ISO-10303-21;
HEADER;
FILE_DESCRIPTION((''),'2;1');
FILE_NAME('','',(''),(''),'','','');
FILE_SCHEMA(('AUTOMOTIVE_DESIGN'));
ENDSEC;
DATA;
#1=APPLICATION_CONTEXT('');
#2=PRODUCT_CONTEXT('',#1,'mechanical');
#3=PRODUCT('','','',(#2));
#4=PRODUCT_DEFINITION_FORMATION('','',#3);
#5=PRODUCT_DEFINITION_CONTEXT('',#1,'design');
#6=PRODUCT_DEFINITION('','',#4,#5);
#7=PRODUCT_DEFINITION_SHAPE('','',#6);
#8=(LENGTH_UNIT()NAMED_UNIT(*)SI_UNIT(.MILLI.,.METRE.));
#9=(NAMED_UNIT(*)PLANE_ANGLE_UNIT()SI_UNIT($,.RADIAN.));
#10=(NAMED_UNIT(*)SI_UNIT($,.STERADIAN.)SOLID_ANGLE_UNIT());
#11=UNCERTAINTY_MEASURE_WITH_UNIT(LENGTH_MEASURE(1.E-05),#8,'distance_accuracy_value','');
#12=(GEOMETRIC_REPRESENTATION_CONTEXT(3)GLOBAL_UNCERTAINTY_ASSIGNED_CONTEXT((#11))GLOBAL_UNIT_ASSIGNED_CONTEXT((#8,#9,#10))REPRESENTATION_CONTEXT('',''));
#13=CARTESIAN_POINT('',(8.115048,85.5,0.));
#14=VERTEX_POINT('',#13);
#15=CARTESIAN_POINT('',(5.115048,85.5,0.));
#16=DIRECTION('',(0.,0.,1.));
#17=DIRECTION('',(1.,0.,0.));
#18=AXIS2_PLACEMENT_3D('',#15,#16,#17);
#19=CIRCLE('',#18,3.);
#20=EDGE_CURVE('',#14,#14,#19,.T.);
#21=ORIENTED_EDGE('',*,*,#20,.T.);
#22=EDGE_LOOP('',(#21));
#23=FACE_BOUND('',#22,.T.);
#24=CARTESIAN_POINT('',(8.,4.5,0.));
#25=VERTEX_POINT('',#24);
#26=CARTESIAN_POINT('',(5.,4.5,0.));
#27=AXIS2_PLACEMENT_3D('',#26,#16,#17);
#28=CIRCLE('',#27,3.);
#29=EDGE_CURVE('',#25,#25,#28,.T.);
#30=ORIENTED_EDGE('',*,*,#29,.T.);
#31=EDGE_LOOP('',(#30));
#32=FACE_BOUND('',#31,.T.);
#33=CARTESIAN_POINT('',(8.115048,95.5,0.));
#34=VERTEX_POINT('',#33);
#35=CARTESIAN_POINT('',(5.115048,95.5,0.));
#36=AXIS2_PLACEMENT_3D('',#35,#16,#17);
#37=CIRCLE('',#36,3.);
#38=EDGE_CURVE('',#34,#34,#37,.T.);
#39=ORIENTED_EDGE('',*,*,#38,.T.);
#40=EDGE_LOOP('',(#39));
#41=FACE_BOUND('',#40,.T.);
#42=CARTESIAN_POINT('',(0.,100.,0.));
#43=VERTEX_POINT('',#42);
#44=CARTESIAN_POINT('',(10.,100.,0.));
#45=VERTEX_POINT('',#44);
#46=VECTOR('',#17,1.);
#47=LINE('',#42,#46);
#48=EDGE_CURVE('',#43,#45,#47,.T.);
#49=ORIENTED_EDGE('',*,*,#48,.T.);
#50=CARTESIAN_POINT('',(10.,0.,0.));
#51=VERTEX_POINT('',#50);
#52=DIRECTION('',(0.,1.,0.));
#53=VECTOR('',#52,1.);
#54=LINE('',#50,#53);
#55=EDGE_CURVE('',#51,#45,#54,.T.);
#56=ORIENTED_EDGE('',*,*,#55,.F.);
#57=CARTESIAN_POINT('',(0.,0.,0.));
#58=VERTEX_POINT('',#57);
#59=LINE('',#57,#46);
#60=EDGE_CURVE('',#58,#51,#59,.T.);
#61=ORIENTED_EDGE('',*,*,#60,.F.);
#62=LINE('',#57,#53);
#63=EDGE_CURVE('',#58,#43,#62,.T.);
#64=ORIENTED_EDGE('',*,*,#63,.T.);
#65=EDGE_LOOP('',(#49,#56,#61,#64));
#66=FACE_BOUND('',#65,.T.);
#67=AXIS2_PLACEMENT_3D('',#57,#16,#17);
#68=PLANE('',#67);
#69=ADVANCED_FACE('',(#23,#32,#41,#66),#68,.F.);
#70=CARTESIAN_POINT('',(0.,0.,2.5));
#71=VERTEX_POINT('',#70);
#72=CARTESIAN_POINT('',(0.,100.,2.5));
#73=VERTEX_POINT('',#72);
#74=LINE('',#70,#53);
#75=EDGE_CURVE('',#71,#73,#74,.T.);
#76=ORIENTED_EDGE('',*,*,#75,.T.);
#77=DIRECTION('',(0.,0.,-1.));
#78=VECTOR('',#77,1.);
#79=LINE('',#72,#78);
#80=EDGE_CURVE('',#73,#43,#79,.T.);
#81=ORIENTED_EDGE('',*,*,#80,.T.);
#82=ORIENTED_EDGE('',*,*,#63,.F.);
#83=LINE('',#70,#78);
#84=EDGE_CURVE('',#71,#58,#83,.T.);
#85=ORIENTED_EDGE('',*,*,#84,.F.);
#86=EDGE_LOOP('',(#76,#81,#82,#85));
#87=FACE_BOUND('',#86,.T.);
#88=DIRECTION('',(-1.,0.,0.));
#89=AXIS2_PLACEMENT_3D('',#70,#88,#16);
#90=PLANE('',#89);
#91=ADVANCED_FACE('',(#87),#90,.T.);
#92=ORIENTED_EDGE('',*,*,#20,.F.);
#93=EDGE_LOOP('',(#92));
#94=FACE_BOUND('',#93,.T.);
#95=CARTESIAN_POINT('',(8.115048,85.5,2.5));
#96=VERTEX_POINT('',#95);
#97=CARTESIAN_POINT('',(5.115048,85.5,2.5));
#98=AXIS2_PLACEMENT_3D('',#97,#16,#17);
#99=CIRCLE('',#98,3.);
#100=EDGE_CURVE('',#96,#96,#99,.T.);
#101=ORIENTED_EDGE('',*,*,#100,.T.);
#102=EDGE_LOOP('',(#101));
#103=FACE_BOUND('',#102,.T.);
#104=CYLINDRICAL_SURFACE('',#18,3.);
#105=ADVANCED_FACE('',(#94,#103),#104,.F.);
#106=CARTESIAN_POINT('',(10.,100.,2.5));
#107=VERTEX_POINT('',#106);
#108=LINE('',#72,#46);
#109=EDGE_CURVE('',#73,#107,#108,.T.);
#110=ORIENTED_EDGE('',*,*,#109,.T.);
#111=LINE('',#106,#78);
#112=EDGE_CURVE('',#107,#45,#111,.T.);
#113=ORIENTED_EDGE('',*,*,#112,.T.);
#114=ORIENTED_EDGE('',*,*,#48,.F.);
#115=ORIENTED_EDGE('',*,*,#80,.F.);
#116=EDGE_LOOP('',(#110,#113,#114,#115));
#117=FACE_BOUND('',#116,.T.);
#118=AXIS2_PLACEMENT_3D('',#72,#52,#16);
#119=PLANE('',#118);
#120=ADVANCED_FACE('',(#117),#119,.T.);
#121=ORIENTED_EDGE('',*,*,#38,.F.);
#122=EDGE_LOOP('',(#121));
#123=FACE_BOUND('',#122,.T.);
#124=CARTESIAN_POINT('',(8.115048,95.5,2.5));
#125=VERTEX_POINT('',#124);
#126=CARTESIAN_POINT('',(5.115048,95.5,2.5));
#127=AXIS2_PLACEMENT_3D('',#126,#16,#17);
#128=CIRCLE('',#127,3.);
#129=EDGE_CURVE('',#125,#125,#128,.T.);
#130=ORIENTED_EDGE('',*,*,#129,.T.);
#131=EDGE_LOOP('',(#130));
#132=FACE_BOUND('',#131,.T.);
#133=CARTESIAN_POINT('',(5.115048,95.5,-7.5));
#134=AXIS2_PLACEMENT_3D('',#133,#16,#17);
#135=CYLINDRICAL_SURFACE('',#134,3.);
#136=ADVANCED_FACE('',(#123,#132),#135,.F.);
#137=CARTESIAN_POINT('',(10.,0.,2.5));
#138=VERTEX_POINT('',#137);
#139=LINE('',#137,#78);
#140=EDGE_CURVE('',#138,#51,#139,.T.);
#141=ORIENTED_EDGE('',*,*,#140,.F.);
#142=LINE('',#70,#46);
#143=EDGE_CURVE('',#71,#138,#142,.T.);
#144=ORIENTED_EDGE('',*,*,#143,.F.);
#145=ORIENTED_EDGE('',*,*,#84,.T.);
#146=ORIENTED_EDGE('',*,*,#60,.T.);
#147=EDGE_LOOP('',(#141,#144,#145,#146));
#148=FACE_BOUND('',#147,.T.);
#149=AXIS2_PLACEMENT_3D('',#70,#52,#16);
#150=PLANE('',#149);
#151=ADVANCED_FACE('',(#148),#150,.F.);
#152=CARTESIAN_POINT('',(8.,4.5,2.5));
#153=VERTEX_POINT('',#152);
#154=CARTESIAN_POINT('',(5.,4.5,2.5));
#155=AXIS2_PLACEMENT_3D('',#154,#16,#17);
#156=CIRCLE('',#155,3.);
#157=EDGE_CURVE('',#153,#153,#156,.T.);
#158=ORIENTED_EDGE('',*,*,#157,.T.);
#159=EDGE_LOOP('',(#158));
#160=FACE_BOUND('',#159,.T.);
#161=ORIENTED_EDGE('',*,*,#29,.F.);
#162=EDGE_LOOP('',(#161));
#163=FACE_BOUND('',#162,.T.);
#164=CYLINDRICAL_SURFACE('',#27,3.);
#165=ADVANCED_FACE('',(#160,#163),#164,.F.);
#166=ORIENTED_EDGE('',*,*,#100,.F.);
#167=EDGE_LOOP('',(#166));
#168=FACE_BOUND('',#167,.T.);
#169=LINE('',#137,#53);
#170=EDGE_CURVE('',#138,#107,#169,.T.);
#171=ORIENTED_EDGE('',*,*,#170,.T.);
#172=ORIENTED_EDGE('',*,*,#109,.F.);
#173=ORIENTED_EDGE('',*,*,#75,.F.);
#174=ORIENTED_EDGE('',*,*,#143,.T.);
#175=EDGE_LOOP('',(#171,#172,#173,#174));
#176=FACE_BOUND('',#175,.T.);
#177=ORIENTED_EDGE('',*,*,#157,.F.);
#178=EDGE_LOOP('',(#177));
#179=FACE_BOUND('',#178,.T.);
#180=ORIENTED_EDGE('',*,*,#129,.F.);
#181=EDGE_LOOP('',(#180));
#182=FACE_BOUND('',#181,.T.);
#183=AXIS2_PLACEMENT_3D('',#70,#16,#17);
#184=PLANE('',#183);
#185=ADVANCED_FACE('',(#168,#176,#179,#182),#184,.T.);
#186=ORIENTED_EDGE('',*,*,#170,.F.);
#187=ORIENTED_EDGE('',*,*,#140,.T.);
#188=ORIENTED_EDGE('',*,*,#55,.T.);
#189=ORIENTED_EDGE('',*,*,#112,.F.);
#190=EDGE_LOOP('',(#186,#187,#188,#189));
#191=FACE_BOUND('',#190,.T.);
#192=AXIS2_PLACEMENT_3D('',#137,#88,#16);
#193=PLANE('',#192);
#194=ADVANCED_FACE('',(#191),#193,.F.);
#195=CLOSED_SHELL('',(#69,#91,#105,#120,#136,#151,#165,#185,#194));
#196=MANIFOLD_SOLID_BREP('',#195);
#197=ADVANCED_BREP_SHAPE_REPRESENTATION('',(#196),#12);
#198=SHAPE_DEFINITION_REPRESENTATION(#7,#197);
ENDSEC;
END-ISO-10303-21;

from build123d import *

# Parameters (mm, degrees)
SKETCH1_W           = 10
SKETCH1_H           = 100
BOSS_EXTRUDE1_DEPTH = 2.5
SKETCH2_R           = 3
CUT_EXTRUDE1_DEPTH  = 101.529846314
SKETCH5_R           = 3
CUT_EXTRUDE2_DEPTH  = 101.529846314
SKETCH3_R           = 3
CUT_EXTRUDE3_DEPTH  = 10


with BuildPart() as part:
    # Sketch1 → Boss-Extrude1 (new body)
    with BuildSketch(Plane.XY):
        with Locations((5, 50)):
            Rectangle(SKETCH1_W, SKETCH1_H)
    extrude(amount=BOSS_EXTRUDE1_DEPTH)

    # Sketch2 → Cut-Extrude1 (cut, through all)
    with BuildSketch(Plane.XY.offset(2.5)):
        with Locations((5, 4.5)):
            Circle(SKETCH2_R)
    extrude(amount=-CUT_EXTRUDE1_DEPTH, mode=Mode.SUBTRACT)

    # Sketch5 → Cut-Extrude2 (cut, through all)
    with BuildSketch(Plane.XY.offset(2.5)):
        with Locations((5.115048416, 85.5)):
            Circle(SKETCH5_R)
    extrude(amount=-CUT_EXTRUDE2_DEPTH, mode=Mode.SUBTRACT)

    # Sketch3 → Cut-Extrude3 (cut)
    with BuildSketch(Plane.XY.offset(2.5)):
        with Locations((5.115048416, 95.5)):
            Circle(SKETCH3_R)
    extrude(amount=-CUT_EXTRUDE3_DEPTH, mode=Mode.SUBTRACT)


solid = part.part
